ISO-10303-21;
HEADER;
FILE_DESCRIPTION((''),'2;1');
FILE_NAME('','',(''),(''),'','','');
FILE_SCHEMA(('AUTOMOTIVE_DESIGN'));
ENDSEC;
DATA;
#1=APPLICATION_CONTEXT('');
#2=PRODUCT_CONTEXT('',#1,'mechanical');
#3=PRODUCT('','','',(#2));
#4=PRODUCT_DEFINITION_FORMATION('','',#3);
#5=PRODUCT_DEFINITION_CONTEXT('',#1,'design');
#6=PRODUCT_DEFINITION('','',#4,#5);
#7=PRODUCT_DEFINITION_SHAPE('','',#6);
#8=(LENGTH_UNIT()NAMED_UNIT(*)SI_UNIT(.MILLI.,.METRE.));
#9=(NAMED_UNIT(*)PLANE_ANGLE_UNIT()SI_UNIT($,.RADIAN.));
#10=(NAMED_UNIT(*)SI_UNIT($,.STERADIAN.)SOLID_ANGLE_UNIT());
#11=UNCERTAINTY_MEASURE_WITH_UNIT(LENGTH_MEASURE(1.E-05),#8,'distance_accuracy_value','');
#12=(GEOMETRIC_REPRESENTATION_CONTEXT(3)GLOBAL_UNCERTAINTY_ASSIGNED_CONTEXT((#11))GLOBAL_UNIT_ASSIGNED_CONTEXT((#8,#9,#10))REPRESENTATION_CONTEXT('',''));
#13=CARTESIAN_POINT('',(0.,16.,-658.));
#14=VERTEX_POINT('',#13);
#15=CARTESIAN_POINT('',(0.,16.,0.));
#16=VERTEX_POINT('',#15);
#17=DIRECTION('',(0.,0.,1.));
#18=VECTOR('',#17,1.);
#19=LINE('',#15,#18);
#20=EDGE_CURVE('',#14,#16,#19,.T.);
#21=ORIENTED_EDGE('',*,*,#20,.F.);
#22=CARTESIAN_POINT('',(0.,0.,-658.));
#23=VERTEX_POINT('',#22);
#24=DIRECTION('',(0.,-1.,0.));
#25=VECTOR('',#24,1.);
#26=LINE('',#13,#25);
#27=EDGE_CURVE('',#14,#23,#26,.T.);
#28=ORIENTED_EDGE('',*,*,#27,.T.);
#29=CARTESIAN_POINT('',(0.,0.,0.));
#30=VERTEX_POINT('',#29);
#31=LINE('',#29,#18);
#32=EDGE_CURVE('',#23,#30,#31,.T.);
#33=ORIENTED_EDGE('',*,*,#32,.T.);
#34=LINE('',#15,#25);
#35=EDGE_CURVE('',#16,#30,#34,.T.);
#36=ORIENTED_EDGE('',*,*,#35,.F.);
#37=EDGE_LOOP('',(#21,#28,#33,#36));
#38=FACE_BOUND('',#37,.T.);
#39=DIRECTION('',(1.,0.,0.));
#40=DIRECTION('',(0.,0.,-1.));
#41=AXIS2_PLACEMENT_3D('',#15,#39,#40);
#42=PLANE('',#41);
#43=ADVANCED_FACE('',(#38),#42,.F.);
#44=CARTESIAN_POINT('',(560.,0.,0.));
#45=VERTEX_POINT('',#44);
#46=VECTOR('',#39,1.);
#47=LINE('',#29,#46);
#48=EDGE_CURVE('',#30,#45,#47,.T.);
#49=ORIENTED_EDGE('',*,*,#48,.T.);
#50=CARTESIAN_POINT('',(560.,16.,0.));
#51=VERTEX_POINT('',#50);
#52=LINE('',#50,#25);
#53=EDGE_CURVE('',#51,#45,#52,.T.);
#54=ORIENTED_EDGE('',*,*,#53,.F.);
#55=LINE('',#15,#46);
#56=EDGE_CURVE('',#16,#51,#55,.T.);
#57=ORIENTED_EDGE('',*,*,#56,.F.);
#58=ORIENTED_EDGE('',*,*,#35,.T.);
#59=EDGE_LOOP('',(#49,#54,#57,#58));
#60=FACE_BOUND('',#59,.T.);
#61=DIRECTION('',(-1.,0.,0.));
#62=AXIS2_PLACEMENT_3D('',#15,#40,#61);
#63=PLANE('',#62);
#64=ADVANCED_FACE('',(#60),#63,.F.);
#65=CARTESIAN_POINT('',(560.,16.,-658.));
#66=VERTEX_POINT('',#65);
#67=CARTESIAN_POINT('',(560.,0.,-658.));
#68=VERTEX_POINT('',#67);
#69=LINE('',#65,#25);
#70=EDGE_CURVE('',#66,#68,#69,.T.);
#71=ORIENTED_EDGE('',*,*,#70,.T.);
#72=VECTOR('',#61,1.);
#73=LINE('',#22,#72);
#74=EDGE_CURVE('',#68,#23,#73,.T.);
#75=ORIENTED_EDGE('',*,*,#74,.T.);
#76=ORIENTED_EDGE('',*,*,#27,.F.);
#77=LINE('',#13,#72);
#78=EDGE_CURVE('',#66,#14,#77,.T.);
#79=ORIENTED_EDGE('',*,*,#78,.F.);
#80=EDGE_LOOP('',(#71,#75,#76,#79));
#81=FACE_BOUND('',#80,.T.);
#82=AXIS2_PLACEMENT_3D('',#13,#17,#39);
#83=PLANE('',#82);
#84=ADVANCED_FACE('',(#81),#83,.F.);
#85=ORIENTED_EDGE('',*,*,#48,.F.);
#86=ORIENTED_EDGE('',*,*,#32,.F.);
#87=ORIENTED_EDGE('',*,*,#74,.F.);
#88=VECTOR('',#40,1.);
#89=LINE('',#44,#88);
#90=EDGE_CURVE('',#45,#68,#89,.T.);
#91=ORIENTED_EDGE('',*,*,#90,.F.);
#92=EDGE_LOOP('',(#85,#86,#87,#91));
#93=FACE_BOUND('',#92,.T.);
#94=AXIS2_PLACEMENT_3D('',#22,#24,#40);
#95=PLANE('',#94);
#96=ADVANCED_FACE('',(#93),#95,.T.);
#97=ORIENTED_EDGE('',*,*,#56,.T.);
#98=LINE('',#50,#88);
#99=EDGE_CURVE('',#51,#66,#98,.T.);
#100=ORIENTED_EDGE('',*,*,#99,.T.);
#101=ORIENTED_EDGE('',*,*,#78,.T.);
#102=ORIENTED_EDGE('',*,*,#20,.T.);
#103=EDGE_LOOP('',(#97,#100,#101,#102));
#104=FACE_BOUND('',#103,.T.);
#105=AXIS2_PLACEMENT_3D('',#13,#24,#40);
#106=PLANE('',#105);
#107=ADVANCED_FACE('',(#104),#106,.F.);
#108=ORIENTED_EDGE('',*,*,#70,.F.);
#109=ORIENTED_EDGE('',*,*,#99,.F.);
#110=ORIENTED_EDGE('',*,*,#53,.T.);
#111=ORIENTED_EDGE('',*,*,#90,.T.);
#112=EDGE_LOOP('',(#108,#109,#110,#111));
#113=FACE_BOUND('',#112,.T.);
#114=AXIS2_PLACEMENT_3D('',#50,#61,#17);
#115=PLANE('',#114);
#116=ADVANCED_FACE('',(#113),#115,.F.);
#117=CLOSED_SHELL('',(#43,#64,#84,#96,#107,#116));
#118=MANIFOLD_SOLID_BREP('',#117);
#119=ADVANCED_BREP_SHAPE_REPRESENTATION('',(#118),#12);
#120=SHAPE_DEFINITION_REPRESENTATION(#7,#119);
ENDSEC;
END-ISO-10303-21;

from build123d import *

# Parameters (mm, degrees)
SKETCH1_W      = 560
SKETCH1_H      = 658
EXTRUDE1_DEPTH = 16


with BuildPart() as part:
    # Sketch1 → Extrude1 (new body)
    with BuildSketch(Plane(origin=(0, 0, 0), x_dir=(1, 0, 0), z_dir=(0, 1, 0))):
        with Locations((280, 329)):
            Rectangle(SKETCH1_W, SKETCH1_H)
    extrude(amount=EXTRUDE1_DEPTH)


solid = part.part
